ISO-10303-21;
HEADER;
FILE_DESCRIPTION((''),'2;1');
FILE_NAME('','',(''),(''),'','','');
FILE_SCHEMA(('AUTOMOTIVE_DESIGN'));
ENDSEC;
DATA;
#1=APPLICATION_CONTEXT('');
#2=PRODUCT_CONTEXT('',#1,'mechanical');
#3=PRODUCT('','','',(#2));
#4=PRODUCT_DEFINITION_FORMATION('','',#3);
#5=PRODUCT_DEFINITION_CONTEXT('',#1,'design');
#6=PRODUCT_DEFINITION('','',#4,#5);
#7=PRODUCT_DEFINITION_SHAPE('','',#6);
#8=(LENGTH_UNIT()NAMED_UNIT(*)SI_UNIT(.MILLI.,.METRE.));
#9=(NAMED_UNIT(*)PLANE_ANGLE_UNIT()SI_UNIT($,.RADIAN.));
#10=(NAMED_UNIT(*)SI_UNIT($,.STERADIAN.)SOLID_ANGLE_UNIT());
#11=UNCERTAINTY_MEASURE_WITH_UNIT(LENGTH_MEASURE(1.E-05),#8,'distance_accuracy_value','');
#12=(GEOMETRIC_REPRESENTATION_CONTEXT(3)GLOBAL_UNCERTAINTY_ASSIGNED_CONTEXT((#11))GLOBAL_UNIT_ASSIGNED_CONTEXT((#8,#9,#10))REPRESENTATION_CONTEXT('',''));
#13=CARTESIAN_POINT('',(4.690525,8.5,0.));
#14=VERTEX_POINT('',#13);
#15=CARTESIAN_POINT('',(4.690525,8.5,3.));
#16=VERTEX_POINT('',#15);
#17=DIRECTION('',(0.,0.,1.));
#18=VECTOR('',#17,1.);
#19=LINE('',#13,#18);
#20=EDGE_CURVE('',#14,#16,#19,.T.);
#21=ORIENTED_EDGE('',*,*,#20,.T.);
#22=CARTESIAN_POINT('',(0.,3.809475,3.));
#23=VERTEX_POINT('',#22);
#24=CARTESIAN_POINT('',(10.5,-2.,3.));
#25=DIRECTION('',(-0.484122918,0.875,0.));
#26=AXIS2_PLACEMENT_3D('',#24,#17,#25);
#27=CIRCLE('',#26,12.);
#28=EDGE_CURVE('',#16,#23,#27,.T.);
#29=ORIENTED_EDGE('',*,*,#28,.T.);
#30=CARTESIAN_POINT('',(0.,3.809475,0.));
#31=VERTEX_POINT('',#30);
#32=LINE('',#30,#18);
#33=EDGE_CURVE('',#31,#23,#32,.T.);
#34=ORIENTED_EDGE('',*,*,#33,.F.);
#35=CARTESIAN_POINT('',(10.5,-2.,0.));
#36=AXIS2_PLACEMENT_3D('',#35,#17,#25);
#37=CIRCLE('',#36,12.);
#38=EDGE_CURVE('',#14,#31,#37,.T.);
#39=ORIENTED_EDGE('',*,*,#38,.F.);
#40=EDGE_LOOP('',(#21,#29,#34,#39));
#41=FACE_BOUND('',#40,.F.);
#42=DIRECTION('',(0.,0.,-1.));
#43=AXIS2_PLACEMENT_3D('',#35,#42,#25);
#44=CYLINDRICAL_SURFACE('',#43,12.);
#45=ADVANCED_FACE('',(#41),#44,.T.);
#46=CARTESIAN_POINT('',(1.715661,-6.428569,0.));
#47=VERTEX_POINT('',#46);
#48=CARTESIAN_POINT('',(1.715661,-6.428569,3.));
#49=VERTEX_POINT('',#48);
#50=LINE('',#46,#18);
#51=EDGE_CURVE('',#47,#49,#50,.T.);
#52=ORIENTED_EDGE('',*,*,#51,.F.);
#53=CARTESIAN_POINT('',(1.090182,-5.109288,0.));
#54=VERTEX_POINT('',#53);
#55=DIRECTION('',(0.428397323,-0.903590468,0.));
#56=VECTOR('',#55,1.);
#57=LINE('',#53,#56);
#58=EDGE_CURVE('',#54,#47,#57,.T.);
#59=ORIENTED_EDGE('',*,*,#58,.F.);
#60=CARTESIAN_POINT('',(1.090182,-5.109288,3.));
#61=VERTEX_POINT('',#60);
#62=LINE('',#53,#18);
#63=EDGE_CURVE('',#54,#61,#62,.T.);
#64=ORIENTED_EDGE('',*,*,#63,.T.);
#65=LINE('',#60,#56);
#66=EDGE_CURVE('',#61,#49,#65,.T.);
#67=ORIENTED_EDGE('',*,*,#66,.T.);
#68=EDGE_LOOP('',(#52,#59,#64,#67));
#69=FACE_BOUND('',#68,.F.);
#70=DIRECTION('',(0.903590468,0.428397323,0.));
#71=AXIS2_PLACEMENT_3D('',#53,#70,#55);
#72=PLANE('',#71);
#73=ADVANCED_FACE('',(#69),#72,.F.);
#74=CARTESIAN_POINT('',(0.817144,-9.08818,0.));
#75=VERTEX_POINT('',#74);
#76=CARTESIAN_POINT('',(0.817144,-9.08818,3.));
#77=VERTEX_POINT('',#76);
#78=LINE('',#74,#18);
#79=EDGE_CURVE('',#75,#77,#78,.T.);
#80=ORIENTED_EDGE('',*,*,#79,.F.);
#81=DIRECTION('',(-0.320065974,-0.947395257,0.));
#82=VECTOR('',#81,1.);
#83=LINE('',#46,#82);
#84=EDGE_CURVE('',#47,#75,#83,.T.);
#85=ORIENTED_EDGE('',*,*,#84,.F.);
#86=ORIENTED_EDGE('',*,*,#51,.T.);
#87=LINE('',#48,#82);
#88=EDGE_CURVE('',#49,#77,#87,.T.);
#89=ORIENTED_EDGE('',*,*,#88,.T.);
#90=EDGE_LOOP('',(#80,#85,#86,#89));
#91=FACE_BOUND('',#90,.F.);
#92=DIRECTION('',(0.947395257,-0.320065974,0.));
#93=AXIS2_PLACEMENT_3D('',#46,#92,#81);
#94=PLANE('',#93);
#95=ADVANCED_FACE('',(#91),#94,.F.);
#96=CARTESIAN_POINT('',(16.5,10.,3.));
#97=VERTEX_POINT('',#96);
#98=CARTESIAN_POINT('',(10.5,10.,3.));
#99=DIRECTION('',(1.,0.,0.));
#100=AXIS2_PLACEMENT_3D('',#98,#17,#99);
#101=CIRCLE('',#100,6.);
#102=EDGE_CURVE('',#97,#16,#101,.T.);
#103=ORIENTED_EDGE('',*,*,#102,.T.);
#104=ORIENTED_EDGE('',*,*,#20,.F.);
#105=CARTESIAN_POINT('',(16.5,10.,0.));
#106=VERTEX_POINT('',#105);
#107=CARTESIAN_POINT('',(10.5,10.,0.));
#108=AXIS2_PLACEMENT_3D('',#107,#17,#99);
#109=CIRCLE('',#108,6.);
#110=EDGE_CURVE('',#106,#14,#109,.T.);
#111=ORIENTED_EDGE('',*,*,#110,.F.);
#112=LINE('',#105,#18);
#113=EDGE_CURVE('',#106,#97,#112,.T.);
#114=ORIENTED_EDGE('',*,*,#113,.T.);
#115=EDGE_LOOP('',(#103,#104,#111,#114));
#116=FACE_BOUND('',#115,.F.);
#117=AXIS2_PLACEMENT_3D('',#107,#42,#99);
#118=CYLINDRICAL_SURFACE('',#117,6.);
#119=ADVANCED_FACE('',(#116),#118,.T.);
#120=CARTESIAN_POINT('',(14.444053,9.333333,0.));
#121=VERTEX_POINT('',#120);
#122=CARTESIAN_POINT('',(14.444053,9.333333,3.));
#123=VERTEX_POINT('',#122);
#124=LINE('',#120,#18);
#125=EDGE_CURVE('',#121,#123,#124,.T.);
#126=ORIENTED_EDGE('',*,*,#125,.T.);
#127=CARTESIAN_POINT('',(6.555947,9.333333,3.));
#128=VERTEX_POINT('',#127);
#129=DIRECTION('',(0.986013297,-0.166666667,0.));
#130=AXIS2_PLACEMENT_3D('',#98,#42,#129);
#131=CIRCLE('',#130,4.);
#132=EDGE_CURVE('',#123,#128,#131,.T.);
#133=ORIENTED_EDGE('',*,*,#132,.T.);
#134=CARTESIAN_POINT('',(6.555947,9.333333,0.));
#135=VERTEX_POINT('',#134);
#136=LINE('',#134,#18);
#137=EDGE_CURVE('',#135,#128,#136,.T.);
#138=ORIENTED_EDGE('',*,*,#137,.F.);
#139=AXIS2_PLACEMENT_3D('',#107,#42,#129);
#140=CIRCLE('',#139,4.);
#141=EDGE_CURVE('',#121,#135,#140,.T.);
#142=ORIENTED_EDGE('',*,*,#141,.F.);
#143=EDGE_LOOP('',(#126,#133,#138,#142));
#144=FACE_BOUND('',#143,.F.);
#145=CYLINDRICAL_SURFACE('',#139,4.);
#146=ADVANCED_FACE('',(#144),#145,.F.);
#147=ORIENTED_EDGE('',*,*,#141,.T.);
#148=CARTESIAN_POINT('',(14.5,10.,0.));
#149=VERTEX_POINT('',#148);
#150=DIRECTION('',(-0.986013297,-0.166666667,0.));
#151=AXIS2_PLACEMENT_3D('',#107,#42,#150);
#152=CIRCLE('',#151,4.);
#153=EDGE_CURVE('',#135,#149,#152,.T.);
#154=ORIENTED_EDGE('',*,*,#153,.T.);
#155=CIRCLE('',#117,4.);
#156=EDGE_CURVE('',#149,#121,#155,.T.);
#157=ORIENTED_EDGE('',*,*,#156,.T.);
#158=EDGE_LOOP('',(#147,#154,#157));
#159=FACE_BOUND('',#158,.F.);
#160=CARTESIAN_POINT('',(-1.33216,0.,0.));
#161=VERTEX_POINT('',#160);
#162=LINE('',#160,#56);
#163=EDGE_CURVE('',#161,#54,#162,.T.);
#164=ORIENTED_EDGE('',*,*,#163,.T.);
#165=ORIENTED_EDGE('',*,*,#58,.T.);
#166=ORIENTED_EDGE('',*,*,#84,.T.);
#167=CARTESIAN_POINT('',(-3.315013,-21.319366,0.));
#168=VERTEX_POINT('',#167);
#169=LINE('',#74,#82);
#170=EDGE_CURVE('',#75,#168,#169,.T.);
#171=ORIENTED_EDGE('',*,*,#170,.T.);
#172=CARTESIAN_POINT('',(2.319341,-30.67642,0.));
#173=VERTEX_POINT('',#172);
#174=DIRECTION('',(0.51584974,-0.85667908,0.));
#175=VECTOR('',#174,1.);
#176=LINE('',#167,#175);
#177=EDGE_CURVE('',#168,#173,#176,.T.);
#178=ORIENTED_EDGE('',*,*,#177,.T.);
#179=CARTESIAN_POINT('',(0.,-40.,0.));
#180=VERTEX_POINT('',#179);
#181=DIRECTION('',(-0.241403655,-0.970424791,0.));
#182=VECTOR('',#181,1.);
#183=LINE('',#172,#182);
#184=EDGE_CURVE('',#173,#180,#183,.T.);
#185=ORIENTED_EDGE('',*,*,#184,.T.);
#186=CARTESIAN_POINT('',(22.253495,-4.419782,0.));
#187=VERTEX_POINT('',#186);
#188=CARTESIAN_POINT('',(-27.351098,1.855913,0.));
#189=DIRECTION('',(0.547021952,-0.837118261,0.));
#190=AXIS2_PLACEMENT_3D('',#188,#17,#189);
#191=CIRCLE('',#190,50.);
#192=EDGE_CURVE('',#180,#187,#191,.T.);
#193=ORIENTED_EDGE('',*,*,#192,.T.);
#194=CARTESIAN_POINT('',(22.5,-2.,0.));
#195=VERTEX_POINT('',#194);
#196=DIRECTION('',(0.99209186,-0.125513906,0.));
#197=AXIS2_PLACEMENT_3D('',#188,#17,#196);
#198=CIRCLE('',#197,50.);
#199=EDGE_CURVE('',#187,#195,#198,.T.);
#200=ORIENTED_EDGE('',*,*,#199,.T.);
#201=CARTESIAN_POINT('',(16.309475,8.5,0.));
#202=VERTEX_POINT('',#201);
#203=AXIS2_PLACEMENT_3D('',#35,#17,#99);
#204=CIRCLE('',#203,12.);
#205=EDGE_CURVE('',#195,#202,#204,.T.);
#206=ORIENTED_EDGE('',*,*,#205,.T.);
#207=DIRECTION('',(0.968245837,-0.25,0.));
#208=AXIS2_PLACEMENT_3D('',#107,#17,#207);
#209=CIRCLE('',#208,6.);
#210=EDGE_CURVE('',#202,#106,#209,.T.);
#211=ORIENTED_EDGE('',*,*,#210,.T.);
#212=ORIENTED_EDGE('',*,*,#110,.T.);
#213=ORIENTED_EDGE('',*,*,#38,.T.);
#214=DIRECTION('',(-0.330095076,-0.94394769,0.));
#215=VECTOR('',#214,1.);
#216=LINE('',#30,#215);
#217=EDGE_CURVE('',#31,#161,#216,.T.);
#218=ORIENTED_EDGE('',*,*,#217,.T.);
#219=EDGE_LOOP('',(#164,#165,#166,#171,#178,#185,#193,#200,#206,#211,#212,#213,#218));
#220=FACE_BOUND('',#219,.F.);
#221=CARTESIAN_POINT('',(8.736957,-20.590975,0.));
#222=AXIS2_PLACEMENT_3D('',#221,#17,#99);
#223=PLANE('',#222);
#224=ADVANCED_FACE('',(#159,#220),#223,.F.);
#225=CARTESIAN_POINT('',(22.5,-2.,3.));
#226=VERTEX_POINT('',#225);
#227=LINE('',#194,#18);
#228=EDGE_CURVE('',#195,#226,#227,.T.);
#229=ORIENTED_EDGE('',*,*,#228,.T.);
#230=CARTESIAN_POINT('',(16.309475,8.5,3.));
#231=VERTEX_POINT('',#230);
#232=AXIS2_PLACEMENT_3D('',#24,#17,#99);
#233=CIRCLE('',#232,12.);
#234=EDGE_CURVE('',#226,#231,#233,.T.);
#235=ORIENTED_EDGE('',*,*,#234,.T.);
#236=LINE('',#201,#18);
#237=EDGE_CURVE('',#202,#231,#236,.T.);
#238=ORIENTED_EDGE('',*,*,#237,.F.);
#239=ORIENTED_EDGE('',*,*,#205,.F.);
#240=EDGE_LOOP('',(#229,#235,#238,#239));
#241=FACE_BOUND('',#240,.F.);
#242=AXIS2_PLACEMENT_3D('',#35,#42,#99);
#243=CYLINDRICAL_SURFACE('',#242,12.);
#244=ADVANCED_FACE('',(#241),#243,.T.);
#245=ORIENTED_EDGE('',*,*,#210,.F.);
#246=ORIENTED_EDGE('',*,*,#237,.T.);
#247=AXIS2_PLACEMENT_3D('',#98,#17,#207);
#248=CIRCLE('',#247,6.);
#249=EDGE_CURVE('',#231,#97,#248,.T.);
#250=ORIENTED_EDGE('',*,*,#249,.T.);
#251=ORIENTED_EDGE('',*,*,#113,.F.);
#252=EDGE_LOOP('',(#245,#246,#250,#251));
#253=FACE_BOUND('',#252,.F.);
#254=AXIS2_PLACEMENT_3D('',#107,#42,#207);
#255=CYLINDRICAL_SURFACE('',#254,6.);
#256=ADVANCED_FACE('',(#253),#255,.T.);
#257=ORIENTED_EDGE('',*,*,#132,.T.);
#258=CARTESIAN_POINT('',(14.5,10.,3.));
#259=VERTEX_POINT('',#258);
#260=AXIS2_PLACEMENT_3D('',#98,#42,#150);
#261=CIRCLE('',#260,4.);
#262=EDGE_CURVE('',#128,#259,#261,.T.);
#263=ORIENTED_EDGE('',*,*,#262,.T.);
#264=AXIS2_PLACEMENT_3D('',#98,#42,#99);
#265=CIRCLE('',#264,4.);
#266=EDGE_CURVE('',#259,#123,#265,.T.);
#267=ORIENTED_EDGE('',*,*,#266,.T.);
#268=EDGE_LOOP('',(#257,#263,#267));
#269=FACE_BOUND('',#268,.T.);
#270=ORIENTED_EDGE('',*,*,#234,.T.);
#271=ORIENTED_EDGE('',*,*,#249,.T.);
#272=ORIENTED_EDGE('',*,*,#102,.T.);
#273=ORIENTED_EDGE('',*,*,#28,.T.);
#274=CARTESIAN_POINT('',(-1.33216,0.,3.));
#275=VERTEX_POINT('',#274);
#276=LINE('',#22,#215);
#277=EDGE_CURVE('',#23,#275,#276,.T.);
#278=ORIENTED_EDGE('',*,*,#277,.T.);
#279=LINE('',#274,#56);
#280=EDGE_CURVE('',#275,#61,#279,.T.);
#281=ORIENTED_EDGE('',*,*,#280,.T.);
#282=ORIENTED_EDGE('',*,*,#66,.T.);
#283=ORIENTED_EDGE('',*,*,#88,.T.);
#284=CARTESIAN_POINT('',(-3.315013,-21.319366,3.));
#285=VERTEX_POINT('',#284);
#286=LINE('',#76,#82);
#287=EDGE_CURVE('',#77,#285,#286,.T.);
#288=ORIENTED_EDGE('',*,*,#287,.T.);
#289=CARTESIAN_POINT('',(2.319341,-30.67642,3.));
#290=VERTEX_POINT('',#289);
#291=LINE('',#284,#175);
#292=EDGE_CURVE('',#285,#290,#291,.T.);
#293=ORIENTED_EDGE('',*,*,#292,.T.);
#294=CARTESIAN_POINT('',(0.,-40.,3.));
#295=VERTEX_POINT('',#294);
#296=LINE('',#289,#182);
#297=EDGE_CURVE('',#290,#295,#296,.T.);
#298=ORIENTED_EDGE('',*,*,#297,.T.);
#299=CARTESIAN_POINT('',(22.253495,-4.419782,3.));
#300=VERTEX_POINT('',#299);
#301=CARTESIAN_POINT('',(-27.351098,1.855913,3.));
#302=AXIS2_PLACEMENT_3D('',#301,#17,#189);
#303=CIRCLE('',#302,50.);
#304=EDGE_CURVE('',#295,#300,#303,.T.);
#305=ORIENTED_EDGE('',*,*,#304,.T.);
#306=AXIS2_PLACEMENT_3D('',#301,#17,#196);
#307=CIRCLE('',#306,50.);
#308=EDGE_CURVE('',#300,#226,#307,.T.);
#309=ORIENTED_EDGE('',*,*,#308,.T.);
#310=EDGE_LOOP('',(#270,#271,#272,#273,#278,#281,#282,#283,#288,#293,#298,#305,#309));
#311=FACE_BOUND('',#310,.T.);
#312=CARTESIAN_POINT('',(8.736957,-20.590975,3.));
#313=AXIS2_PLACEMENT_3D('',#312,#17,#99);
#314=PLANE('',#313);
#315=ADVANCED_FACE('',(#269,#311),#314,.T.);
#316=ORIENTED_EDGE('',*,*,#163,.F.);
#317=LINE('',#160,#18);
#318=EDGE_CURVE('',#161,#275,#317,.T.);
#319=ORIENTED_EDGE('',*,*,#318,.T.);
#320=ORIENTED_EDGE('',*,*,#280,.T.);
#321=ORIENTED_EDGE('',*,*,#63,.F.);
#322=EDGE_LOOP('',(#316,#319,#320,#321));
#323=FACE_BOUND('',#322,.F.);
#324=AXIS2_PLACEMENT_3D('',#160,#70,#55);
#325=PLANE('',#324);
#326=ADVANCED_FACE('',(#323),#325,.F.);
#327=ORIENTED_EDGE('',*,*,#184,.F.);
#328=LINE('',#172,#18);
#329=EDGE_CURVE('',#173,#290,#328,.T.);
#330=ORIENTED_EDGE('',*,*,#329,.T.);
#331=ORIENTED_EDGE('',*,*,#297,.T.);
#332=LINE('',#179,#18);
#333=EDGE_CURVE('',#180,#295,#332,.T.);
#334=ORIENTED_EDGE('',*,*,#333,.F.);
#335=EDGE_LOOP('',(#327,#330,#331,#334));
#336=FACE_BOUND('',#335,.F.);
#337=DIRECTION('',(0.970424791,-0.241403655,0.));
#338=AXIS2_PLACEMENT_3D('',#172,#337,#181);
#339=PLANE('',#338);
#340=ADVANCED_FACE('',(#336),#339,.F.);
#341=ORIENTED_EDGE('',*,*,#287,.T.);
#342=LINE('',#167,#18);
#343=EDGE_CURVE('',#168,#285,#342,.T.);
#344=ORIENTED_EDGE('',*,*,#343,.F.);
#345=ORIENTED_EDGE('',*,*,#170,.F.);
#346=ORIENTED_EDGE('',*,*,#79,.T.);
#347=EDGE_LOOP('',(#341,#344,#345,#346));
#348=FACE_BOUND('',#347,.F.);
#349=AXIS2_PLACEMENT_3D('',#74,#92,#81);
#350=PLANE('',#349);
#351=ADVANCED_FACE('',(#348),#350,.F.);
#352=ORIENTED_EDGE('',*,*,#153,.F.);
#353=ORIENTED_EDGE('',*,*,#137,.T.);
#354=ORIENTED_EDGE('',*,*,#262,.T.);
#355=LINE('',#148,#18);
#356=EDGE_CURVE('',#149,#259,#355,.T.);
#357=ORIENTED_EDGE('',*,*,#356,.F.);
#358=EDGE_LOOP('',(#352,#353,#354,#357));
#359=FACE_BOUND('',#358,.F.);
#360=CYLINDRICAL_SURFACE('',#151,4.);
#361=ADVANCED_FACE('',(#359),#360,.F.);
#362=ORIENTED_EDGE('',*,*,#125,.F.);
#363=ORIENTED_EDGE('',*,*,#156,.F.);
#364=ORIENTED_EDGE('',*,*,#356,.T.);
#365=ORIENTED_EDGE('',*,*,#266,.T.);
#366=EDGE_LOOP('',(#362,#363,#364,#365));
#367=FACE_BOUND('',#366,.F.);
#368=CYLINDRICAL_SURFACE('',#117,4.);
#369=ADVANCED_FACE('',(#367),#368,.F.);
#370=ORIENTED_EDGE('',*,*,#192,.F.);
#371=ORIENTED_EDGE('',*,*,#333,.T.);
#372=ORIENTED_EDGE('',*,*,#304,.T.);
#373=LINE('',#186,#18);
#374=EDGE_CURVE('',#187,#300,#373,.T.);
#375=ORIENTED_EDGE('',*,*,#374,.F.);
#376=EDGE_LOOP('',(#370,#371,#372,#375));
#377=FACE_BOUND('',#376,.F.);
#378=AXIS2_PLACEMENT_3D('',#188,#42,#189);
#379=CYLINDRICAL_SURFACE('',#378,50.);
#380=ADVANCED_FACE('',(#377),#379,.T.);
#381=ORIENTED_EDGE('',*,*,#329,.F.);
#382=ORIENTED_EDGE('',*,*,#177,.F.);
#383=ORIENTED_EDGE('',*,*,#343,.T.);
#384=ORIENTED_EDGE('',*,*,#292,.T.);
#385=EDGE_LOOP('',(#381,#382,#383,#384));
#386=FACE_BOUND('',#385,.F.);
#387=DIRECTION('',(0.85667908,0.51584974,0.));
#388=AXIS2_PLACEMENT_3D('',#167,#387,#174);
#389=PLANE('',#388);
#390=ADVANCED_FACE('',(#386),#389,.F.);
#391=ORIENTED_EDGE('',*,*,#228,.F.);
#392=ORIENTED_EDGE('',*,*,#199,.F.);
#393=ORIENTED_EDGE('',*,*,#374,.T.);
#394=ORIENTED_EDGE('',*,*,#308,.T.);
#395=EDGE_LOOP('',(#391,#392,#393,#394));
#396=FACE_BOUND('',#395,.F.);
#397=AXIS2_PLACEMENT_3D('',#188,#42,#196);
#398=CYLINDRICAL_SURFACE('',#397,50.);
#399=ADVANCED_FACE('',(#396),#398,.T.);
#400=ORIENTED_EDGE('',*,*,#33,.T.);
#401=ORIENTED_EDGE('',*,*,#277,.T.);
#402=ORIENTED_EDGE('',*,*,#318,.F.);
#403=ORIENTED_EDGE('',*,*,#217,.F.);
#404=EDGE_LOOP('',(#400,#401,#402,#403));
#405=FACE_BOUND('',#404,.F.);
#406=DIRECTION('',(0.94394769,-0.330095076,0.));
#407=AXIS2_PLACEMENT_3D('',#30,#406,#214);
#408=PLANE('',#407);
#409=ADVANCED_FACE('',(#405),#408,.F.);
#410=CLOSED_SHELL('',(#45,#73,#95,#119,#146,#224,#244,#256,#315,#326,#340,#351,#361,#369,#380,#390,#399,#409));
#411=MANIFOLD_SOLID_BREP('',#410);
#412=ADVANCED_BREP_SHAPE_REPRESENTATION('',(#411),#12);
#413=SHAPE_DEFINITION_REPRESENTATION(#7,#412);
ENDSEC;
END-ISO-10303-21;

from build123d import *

# Parameters (mm, degrees)
F1_DEPTH = 3


with BuildPart() as f1:
    # F0 (on Top) → F1 (new body)
    with BuildSketch(Plane.XY):
        with BuildLine():
            ThreePointArc((22.253495394, -4.4197822265), (13.0535019754, -13.7251706879), (0.8171440868, -9.0881803987))
            Line((0.8171440868, -9.0881803987), (-3.3150132865, -21.3193659027))
            Line((-3.3150132865, -21.3193659027), (2.3193413737, -30.6764196892))
            Line((2.3193413737, -30.6764196892), (0, -40))
            ThreePointArc((0, -40), (15.0403231441, -24.6576201784), (22.253495394, -4.4197822265))
        make_face()
        with BuildLine():
            ThreePointArc((0, 3.8094750193), (1.1189500386, 1), (1.5, -2))
            ThreePointArc((1.5, -2), (1.3971044741, -3.5680896446), (1.0901824777, -5.1092877211))
            Line((1.0901824777, -5.1092877211), (1.7156613405, -6.4285693978))
            Line((1.7156613405, -6.4285693978), (0.8171440868, -9.0881803987))
            ThreePointArc((0.8171440868, -9.0881803987), (13.0535019754, -13.7251706879), (22.253495394, -4.4197822265))
            ThreePointArc((22.253495394, -4.4197822265), (22.3914639986, -3.2113902714), (22.5, -2))
            ThreePointArc((22.5, -2), (20.8371587061, 4.094518019), (16.3094750193, 8.5))
            ThreePointArc((16.3094750193, 8.5), (10.5, 4), (4.6905249807, 8.5))
            ThreePointArc((4.6905249807, 8.5), (2.0147186258, 6.4852813742), (0, 3.8094750193))
        make_face()
        with BuildLine():
            ThreePointArc((1.0901824777, -5.1092877211), (1.3971044741, -3.5680896446), (1.5, -2))
            ThreePointArc((1.5, -2), (1.1189500386, 1), (0, 3.8094750193))
            Line((0, 3.8094750193), (-1.3321595662, 0))
            Line((-1.3321595662, 0), (1.0901824777, -5.1092877211))
        make_face()
        with BuildLine():
            ThreePointArc((6.5559468113, 9.3333333333), (5.6054684353, 8.9564392374), (4.6905249807, 8.5))
            ThreePointArc((4.6905249807, 8.5), (10.5, 4), (16.3094750193, 8.5))
            ThreePointArc((16.3094750193, 8.5), (15.3945315647, 8.9564392374), (14.4440531887, 9.3333333333))
            ThreePointArc((14.4440531887, 9.3333333333), (10.5, 6), (6.5559468113, 9.3333333333))
        make_face()
        with BuildLine():
            ThreePointArc((16.5, 10), (9.7439742451, 15.9521781776), (4.6905249807, 8.5))
            ThreePointArc((4.6905249807, 8.5), (5.6054684353, 8.9564392374), (6.5559468113, 9.3333333333))
            ThreePointArc((6.5559468113, 9.3333333333), (10.1654949589, 13.9859887578), (14.5, 10))
            ThreePointArc((14.5, 10), (14.4859887578, 9.6654949589), (14.4440531887, 9.3333333333))
            ThreePointArc((14.4440531887, 9.3333333333), (15.3945315647, 8.9564392374), (16.3094750193, 8.5))
            ThreePointArc((16.3094750193, 8.5), (16.4521781776, 9.2439742451), (16.5, 10))
        make_face()
    extrude(amount=F1_DEPTH)


solid = f1.part
